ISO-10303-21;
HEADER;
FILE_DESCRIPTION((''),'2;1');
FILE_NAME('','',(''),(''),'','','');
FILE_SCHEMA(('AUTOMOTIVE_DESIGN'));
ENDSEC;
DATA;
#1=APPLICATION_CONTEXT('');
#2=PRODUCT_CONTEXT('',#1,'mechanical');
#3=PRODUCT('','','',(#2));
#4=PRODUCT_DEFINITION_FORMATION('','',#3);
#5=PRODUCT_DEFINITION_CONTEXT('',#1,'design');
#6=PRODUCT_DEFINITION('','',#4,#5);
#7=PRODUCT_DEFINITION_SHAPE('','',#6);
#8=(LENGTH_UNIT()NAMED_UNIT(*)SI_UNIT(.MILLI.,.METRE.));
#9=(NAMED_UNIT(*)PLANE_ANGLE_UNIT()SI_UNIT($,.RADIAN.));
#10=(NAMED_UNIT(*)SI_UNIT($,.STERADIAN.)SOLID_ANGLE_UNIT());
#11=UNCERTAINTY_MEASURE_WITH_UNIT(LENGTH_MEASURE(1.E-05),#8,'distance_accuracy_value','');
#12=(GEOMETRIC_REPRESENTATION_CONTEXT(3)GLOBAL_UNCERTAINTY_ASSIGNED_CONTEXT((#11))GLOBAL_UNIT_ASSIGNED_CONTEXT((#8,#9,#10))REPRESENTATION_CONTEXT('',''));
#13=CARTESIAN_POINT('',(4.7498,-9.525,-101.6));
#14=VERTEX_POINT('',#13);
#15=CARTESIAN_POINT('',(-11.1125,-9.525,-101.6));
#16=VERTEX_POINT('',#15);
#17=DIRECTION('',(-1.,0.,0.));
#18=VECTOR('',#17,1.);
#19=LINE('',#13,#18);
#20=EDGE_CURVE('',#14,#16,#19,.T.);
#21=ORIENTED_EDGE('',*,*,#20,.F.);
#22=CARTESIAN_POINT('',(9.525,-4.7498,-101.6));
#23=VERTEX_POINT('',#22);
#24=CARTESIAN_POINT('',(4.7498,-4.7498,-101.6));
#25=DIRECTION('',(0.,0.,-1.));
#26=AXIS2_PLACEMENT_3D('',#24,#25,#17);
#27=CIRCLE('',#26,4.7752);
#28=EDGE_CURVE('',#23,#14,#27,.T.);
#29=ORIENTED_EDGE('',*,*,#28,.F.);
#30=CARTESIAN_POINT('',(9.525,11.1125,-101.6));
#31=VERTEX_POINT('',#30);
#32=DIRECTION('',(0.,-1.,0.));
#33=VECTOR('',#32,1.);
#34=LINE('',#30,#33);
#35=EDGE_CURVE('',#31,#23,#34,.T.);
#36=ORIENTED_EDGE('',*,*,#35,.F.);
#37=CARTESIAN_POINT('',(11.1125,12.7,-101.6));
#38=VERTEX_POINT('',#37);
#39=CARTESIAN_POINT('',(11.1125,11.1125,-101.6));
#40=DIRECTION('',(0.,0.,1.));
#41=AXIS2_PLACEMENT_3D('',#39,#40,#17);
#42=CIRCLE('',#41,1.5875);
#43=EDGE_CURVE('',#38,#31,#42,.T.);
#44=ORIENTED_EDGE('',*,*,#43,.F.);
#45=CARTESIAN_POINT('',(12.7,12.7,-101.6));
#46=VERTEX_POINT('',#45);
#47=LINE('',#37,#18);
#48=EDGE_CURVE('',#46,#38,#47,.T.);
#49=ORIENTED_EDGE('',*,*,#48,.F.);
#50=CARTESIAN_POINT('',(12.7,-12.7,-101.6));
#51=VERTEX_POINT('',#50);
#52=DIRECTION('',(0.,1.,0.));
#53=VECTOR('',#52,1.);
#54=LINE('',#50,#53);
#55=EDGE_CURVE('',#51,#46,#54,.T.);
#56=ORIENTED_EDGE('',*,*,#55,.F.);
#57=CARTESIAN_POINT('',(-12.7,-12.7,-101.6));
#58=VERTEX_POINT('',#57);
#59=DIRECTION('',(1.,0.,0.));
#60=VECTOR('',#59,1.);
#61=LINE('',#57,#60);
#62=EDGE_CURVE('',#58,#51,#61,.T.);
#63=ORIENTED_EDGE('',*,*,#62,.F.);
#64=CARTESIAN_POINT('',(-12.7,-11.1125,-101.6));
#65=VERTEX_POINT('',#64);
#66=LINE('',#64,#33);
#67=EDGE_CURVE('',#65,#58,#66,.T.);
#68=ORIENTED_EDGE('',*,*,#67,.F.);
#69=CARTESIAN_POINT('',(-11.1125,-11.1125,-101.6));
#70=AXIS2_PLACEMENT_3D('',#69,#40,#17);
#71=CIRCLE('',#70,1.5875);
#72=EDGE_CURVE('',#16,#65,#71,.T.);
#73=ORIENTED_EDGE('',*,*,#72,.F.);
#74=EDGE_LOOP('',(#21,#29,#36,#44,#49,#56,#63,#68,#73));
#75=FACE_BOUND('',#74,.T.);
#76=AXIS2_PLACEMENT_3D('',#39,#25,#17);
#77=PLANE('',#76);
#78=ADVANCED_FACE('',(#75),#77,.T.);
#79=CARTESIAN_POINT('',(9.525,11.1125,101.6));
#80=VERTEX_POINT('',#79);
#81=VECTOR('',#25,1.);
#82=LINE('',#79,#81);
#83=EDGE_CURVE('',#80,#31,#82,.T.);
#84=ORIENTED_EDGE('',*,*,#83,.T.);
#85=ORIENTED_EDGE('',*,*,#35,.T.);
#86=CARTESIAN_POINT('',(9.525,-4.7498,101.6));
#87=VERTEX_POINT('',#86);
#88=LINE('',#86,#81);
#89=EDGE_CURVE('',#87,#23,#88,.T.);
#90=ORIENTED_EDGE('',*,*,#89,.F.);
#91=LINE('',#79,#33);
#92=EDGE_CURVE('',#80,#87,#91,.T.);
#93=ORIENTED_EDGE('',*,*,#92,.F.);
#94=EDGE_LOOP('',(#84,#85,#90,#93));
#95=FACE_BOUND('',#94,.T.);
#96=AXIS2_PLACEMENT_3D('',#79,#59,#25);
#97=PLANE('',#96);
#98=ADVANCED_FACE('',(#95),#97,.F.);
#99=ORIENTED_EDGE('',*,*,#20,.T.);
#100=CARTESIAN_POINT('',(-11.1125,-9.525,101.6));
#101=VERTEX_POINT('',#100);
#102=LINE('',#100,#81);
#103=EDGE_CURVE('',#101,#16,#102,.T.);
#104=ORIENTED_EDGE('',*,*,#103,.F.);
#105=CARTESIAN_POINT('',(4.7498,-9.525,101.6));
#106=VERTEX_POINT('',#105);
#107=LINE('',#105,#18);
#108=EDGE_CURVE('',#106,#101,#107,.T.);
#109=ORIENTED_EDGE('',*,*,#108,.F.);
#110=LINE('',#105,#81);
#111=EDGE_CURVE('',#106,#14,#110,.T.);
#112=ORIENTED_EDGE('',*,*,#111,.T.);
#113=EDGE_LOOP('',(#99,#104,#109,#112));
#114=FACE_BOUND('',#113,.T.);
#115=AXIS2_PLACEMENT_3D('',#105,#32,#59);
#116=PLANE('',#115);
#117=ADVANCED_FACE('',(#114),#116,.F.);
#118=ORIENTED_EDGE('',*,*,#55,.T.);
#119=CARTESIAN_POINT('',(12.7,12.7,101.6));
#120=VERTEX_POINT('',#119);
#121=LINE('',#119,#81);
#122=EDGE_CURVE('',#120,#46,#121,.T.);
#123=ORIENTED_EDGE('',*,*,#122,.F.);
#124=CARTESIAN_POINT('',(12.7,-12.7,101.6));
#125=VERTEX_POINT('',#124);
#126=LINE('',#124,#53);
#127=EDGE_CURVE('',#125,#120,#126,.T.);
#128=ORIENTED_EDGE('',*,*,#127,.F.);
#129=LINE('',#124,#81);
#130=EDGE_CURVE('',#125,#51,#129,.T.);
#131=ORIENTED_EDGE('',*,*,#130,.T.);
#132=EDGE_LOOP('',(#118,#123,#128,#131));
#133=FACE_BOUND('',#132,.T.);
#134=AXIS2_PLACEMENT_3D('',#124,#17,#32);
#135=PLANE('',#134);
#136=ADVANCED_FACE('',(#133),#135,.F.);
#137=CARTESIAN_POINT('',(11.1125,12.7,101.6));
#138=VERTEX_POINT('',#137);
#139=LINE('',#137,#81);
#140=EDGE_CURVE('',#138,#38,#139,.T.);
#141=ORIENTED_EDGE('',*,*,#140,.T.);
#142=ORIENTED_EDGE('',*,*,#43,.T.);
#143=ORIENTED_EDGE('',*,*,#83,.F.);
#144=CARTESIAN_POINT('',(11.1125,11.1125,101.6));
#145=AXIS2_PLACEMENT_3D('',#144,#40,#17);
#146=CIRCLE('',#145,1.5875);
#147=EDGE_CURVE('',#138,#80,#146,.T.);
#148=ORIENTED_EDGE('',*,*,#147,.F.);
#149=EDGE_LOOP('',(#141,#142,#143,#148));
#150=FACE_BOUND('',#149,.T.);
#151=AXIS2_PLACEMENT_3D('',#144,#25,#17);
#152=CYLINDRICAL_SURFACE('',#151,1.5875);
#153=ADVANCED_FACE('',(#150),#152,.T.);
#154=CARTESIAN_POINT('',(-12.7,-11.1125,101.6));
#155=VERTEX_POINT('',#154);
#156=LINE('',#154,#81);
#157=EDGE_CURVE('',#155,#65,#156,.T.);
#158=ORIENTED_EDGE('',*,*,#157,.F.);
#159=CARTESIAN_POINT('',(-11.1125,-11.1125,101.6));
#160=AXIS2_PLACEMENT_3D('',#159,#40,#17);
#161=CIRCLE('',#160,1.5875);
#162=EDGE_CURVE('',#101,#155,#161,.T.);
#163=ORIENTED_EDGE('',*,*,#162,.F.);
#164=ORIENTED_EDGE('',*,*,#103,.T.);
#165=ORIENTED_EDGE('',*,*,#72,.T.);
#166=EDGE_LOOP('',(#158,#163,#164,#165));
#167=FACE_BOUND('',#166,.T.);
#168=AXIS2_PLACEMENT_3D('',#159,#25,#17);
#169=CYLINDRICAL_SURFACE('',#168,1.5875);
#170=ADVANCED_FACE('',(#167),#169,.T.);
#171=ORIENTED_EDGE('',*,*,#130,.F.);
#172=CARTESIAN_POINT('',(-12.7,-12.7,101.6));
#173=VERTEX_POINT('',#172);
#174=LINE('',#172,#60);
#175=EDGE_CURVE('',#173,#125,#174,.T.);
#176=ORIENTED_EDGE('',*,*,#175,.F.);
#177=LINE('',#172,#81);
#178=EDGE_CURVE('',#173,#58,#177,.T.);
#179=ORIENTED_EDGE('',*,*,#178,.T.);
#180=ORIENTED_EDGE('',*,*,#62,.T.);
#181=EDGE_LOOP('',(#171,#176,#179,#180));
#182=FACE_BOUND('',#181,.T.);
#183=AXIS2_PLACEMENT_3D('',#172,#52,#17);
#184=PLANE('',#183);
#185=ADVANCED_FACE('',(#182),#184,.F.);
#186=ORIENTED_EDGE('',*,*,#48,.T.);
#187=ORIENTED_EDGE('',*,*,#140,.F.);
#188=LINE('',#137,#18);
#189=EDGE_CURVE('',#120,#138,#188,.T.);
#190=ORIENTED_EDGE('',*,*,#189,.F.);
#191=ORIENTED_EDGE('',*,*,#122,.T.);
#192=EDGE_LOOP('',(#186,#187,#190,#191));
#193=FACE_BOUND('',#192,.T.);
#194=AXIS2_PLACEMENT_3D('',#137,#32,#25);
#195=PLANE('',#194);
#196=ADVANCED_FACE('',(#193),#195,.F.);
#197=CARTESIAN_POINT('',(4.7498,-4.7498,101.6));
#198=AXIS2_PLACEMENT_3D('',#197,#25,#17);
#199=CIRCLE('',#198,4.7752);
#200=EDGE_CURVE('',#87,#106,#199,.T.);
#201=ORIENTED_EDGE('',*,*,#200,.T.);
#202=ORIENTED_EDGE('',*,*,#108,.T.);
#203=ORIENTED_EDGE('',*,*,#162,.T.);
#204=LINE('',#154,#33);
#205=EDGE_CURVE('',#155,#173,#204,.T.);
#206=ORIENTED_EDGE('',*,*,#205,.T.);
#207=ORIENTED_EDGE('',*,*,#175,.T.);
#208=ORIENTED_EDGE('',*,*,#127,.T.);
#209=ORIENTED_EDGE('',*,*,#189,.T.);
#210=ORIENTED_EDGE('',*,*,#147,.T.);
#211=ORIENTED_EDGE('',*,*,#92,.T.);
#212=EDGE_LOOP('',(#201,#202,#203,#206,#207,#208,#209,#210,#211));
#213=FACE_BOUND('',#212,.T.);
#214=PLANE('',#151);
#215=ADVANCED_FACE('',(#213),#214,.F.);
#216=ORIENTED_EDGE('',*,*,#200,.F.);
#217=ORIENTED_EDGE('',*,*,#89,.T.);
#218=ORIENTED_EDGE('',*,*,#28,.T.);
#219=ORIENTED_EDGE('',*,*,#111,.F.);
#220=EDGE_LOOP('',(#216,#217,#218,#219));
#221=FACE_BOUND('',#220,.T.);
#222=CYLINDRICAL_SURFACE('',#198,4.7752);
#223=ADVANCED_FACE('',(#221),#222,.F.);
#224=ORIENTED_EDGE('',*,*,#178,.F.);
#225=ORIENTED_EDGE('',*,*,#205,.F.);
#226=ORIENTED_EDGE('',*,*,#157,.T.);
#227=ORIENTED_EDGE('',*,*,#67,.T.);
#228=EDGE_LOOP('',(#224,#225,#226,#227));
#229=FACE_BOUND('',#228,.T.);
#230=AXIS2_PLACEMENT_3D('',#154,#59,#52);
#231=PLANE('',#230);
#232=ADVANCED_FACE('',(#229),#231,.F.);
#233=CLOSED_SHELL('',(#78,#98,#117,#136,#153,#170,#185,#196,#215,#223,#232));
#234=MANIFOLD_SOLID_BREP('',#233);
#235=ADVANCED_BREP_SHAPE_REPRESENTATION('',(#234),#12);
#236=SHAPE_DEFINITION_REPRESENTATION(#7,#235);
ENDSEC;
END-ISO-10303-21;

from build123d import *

# Parameters (mm, degrees)
BOSS_EXTRUDE1_DEPTH = 101.6


with BuildPart() as part:
    # Sketch2 → Boss-Extrude1 (new, symmetric)
    with BuildSketch(Plane.XY):
        with BuildLine():
            Line((-12.7, -12.7), (12.7, -12.7))
            Line((12.7, -12.7), (12.7, 12.7))
            Line((12.7, 12.7), (11.1125, 12.7))
            ThreePointArc((11.1125, 12.7), (9.989967985, 12.235032015), (9.525, 11.1125))
            Line((9.525, 11.1125), (9.525, -4.7498))
            ThreePointArc((9.525, -4.7498), (8.126376302, -8.126376302), (4.7498, -9.525))
            Line((4.7498, -9.525), (-11.1125, -9.525))
            ThreePointArc((-11.1125, -9.525), (-12.235032015, -9.989967985), (-12.7, -11.1125))
            Line((-12.7, -11.1125), (-12.7, -12.7))
        make_face()
    extrude(amount=BOSS_EXTRUDE1_DEPTH, both=True)


solid = part.part
